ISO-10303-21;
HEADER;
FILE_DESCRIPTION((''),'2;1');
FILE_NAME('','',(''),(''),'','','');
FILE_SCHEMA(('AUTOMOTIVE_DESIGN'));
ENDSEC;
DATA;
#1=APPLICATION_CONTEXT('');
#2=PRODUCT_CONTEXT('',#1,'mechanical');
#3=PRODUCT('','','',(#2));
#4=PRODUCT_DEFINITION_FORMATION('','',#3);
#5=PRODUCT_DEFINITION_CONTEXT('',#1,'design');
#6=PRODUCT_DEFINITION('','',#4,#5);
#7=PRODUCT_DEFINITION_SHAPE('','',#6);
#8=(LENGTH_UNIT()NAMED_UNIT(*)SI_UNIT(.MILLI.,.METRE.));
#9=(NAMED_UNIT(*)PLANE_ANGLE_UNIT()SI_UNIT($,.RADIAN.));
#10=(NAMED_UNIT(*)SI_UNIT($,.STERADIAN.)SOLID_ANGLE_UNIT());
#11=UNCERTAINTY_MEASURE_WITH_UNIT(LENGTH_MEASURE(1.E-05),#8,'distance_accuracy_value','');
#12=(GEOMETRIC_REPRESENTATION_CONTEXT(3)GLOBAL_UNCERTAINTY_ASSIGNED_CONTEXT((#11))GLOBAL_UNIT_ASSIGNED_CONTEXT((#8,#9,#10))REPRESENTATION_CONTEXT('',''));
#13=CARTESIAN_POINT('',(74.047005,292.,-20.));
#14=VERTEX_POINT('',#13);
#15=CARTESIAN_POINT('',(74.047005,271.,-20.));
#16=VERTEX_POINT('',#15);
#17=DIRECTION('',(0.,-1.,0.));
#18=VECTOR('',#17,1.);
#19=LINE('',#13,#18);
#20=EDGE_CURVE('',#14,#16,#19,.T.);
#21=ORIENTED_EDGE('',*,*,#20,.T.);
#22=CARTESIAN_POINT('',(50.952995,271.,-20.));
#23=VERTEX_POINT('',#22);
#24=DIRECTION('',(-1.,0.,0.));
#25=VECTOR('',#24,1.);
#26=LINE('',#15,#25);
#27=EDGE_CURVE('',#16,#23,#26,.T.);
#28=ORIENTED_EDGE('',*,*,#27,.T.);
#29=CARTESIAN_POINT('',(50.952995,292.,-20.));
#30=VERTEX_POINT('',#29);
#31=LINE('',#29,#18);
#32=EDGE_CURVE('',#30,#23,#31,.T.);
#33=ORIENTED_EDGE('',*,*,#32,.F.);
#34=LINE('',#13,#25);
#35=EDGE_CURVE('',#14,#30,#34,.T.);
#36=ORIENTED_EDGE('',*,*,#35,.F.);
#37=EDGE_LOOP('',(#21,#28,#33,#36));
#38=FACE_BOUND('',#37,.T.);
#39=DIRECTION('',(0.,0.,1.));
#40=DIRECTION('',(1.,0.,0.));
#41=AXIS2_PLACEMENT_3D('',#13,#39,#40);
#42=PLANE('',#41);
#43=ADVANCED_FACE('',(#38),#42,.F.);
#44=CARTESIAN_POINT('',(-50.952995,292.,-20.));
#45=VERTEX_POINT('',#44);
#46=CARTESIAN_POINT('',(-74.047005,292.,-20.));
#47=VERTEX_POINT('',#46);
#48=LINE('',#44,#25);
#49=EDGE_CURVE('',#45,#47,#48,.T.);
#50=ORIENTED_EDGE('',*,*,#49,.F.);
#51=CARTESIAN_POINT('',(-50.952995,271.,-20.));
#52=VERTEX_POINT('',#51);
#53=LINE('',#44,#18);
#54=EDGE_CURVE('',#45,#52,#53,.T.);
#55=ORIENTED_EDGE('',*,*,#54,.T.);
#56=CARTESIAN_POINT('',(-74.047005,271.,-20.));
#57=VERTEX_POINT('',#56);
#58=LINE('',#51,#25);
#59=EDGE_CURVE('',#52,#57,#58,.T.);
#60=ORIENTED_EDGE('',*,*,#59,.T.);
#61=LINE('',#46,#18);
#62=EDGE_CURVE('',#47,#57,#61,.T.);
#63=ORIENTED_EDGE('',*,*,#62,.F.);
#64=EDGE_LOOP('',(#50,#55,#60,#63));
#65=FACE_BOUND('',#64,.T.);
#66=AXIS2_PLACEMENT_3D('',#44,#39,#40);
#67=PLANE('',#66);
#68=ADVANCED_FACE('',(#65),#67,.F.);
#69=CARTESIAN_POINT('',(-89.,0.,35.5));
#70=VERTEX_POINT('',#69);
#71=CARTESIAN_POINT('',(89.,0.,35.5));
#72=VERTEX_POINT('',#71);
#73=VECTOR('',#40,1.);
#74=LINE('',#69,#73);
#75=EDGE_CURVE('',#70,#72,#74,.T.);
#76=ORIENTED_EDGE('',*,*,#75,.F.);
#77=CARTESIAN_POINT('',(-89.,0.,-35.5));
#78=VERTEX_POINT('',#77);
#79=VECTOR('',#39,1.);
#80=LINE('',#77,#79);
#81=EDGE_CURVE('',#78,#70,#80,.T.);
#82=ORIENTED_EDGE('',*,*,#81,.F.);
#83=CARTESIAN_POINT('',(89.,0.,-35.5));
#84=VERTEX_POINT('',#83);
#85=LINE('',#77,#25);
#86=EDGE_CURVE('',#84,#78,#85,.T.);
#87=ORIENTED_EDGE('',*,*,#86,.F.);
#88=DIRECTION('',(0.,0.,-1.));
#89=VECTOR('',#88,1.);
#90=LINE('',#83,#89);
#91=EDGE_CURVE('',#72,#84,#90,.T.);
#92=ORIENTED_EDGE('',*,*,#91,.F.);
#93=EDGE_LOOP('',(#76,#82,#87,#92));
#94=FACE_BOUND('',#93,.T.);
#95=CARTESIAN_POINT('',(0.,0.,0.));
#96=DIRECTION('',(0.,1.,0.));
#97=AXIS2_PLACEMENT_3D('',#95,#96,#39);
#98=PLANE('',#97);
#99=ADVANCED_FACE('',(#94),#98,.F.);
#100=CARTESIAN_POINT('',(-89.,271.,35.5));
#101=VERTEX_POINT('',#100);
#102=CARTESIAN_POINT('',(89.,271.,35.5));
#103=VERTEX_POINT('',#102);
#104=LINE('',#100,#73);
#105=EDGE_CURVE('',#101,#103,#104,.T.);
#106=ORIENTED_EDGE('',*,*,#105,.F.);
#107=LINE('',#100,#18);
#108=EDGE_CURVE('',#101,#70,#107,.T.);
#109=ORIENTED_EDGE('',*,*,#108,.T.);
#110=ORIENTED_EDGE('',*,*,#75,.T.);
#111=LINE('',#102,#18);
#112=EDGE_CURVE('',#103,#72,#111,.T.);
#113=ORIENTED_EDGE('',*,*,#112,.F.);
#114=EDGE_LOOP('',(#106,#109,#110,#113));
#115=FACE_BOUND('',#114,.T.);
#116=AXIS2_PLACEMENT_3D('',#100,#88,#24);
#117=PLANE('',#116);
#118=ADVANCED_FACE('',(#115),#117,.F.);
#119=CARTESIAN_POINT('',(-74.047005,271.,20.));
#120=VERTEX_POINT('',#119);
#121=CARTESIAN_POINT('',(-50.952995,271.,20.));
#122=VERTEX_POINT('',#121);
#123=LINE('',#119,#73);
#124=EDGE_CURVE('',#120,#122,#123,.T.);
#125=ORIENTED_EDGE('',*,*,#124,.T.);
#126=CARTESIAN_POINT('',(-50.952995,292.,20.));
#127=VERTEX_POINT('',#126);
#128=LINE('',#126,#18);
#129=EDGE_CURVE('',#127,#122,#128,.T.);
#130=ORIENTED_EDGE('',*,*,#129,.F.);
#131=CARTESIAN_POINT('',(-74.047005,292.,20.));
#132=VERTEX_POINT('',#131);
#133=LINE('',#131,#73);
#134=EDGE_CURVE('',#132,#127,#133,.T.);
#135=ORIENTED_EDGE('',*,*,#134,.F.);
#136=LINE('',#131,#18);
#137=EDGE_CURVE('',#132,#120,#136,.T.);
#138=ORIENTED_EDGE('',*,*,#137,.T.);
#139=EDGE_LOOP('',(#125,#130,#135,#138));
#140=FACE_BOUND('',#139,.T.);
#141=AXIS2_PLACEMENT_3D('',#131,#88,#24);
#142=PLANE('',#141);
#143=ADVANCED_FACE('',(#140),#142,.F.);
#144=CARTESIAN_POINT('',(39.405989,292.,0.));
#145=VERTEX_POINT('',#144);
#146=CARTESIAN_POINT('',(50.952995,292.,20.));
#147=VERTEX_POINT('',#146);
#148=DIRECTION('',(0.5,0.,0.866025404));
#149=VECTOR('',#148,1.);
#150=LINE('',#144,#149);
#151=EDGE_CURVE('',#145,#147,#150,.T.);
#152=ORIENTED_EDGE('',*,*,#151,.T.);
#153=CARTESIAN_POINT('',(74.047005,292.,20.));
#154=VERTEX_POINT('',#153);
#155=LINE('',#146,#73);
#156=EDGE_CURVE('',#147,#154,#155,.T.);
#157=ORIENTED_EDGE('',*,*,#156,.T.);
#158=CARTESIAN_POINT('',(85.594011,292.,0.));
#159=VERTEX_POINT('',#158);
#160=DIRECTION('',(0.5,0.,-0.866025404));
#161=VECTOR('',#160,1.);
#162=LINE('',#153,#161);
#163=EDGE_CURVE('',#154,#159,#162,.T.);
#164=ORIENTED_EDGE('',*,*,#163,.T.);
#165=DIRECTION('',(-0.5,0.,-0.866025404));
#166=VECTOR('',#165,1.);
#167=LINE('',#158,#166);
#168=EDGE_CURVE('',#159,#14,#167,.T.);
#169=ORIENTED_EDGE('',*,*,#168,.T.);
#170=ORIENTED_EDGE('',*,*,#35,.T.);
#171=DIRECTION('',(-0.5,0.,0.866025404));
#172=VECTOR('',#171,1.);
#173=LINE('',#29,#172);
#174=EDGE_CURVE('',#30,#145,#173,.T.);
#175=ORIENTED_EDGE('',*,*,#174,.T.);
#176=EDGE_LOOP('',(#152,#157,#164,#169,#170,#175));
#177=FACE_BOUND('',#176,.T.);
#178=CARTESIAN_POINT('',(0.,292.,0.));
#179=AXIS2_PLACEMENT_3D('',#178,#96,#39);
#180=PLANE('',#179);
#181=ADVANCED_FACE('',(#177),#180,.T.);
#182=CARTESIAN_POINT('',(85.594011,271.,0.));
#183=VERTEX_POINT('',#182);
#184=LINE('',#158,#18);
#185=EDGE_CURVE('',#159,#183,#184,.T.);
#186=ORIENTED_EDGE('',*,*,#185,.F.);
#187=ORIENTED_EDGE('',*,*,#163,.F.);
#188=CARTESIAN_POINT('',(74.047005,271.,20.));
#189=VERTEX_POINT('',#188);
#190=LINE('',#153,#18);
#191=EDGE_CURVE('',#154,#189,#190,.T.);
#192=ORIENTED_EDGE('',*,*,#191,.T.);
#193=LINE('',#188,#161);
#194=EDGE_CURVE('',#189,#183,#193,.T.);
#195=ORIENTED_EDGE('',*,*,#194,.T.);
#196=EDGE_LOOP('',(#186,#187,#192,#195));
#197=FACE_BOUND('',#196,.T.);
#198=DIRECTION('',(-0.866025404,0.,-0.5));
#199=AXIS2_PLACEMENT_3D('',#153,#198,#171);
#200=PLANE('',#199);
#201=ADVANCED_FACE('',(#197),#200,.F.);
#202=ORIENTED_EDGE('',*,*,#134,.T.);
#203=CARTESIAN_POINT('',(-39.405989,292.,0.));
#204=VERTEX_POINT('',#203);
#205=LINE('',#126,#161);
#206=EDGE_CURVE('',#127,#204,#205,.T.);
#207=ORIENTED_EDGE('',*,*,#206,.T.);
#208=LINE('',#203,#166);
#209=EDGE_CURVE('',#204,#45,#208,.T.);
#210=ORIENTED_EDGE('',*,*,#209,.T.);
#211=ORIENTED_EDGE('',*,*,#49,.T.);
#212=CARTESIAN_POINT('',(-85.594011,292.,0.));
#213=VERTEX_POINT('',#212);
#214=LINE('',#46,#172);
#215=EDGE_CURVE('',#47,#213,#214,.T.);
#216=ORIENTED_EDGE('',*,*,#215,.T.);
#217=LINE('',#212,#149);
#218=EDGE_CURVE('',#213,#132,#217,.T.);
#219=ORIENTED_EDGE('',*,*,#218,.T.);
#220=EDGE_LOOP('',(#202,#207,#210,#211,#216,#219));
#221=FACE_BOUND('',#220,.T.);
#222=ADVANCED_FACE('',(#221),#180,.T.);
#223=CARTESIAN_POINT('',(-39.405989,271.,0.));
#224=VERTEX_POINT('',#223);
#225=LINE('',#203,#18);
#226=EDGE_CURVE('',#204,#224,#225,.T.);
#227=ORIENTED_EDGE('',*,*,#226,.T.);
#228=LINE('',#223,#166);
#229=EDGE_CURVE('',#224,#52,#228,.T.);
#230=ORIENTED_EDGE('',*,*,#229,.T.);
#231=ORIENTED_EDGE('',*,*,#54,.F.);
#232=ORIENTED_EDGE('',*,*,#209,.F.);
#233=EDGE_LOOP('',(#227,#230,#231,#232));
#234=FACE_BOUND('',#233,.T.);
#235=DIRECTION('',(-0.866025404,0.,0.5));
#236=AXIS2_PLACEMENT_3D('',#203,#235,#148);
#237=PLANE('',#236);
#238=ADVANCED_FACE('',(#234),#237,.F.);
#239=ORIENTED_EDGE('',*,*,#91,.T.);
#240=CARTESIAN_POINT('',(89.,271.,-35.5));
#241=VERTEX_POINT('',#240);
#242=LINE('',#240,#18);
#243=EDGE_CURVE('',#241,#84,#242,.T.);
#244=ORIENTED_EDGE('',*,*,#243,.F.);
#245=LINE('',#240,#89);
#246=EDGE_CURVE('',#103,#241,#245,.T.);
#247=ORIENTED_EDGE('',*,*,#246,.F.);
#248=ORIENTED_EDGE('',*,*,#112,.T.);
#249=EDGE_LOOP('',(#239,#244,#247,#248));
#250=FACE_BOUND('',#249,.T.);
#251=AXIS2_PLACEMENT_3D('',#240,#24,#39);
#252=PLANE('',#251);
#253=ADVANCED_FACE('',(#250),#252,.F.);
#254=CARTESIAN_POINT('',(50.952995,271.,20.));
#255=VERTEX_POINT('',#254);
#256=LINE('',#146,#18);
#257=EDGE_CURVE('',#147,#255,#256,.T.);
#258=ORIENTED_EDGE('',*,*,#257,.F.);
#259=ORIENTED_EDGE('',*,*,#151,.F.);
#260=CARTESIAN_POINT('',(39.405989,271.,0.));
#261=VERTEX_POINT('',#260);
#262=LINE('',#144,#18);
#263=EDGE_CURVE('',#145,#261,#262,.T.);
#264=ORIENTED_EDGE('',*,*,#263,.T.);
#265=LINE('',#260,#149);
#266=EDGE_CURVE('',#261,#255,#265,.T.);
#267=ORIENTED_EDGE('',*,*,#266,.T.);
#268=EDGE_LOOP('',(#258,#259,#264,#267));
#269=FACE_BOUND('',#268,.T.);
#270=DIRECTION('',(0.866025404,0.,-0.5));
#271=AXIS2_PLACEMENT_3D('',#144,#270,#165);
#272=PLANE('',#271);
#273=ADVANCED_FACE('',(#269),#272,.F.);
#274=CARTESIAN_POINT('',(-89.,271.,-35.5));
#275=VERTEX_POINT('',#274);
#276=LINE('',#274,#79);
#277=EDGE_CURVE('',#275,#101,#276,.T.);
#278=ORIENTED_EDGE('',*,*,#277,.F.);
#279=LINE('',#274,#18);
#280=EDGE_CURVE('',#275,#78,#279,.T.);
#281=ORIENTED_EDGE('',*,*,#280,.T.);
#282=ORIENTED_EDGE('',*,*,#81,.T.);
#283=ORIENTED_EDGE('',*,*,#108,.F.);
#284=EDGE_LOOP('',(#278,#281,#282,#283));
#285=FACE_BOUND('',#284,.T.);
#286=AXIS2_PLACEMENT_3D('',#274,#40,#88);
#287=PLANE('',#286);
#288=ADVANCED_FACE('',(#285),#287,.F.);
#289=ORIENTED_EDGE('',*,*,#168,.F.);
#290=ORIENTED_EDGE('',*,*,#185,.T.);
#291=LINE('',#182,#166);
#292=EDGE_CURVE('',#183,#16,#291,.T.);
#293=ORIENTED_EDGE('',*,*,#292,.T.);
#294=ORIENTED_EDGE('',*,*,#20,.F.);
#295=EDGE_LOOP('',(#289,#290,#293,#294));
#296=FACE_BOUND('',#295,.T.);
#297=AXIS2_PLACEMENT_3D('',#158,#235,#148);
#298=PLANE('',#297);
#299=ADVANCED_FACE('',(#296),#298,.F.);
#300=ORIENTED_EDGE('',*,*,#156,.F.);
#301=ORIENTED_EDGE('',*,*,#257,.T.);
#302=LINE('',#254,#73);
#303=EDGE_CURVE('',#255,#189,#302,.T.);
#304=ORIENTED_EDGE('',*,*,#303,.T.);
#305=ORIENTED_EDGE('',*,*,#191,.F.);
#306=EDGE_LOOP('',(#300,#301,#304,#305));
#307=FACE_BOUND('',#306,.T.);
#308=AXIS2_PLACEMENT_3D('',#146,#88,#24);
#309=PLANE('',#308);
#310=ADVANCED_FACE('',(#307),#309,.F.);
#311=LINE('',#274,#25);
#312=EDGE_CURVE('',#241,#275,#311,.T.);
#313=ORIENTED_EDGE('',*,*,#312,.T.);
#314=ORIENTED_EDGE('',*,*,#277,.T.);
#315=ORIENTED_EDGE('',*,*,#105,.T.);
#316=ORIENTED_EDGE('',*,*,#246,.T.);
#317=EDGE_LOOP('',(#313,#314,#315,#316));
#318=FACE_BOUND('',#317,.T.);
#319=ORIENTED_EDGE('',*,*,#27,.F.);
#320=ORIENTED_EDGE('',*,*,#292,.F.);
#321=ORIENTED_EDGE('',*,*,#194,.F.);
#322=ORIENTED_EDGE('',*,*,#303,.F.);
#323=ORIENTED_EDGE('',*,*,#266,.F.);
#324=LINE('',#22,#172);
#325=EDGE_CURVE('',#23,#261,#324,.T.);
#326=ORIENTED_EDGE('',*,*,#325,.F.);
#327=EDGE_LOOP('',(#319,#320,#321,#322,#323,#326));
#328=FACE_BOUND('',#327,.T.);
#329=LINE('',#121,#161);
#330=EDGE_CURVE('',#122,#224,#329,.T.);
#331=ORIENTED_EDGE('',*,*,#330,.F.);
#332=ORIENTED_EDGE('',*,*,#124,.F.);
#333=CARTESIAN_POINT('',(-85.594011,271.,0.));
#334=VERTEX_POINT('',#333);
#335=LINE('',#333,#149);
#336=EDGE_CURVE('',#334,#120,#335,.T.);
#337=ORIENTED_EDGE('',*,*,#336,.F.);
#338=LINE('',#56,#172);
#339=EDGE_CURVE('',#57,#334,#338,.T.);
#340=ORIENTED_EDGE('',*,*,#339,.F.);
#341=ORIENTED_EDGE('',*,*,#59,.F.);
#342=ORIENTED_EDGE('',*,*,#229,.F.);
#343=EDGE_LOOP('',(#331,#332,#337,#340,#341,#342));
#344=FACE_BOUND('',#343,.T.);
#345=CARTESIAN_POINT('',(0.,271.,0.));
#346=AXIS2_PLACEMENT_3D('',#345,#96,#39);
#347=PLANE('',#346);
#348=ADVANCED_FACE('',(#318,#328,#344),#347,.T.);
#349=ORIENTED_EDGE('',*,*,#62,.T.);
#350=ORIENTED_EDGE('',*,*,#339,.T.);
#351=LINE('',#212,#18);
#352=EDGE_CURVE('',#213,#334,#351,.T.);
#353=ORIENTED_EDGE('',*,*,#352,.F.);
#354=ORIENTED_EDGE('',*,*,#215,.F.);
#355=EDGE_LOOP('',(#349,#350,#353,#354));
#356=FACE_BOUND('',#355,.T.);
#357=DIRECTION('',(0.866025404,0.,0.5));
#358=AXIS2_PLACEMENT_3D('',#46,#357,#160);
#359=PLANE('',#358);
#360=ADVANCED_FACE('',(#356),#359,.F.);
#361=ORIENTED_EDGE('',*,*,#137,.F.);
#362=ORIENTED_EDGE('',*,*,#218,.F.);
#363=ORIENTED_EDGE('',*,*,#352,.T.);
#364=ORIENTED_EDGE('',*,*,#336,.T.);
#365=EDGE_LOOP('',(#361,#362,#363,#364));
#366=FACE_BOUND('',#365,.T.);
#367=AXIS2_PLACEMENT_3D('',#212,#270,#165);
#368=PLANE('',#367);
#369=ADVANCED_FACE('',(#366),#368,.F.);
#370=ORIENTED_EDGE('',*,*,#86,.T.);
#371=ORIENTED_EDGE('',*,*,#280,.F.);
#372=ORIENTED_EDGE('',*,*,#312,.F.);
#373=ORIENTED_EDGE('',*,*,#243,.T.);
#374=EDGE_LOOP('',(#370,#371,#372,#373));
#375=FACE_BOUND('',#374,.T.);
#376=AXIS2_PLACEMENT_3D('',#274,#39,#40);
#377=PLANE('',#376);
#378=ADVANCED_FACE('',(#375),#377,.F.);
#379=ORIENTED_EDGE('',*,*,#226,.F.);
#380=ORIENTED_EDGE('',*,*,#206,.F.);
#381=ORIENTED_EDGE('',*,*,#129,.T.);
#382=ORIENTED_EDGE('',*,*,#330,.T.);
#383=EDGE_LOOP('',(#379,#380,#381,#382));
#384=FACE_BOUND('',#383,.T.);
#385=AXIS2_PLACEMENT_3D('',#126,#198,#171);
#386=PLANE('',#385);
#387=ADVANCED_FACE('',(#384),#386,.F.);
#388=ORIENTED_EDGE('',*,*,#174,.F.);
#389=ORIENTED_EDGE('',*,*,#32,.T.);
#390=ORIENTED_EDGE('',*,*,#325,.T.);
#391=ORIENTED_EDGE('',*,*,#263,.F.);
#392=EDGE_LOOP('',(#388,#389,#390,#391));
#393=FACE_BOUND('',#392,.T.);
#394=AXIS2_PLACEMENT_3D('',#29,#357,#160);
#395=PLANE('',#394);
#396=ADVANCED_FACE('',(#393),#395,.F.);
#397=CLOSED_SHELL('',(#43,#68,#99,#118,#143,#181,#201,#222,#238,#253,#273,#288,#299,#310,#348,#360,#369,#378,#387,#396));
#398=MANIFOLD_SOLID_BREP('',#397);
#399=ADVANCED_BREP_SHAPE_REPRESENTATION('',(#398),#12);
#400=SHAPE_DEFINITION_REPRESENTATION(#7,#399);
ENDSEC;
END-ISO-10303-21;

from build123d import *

# Parameters (mm, degrees)
SKETCH1_W           = 178
SKETCH1_H           = 71
BOSS_EXTRUDE1_DEPTH = 271
BOSS_EXTRUDE2_DEPTH = 21


with BuildPart() as part:
    # Sketch1 → Boss-Extrude1 (new body)
    with BuildSketch(Plane(origin=(0, 0, 0), x_dir=(1, 0, 0), z_dir=(0, 1, 0))):
        Rectangle(SKETCH1_W, SKETCH1_H)
    extrude(amount=BOSS_EXTRUDE1_DEPTH)

    # Sketch2 → Boss-Extrude2 (add)
    with BuildSketch(Plane(origin=(0, 271, 0), x_dir=(1, 0, 0), z_dir=(0, 1, 0))):
        Polygon((-39.405989232, 0), (-50.952994616, 20), (-74.047005384, 20), (-85.594010768, 0), (-74.047005384, -20), (-50.952994616, -20), align=None)
        Polygon((85.594010768, 0), (74.047005384, 20), (50.952994616, 20), (39.405989232, 0), (50.952994616, -20), (74.047005384, -20), align=None)
    extrude(amount=BOSS_EXTRUDE2_DEPTH)


solid = part.part
